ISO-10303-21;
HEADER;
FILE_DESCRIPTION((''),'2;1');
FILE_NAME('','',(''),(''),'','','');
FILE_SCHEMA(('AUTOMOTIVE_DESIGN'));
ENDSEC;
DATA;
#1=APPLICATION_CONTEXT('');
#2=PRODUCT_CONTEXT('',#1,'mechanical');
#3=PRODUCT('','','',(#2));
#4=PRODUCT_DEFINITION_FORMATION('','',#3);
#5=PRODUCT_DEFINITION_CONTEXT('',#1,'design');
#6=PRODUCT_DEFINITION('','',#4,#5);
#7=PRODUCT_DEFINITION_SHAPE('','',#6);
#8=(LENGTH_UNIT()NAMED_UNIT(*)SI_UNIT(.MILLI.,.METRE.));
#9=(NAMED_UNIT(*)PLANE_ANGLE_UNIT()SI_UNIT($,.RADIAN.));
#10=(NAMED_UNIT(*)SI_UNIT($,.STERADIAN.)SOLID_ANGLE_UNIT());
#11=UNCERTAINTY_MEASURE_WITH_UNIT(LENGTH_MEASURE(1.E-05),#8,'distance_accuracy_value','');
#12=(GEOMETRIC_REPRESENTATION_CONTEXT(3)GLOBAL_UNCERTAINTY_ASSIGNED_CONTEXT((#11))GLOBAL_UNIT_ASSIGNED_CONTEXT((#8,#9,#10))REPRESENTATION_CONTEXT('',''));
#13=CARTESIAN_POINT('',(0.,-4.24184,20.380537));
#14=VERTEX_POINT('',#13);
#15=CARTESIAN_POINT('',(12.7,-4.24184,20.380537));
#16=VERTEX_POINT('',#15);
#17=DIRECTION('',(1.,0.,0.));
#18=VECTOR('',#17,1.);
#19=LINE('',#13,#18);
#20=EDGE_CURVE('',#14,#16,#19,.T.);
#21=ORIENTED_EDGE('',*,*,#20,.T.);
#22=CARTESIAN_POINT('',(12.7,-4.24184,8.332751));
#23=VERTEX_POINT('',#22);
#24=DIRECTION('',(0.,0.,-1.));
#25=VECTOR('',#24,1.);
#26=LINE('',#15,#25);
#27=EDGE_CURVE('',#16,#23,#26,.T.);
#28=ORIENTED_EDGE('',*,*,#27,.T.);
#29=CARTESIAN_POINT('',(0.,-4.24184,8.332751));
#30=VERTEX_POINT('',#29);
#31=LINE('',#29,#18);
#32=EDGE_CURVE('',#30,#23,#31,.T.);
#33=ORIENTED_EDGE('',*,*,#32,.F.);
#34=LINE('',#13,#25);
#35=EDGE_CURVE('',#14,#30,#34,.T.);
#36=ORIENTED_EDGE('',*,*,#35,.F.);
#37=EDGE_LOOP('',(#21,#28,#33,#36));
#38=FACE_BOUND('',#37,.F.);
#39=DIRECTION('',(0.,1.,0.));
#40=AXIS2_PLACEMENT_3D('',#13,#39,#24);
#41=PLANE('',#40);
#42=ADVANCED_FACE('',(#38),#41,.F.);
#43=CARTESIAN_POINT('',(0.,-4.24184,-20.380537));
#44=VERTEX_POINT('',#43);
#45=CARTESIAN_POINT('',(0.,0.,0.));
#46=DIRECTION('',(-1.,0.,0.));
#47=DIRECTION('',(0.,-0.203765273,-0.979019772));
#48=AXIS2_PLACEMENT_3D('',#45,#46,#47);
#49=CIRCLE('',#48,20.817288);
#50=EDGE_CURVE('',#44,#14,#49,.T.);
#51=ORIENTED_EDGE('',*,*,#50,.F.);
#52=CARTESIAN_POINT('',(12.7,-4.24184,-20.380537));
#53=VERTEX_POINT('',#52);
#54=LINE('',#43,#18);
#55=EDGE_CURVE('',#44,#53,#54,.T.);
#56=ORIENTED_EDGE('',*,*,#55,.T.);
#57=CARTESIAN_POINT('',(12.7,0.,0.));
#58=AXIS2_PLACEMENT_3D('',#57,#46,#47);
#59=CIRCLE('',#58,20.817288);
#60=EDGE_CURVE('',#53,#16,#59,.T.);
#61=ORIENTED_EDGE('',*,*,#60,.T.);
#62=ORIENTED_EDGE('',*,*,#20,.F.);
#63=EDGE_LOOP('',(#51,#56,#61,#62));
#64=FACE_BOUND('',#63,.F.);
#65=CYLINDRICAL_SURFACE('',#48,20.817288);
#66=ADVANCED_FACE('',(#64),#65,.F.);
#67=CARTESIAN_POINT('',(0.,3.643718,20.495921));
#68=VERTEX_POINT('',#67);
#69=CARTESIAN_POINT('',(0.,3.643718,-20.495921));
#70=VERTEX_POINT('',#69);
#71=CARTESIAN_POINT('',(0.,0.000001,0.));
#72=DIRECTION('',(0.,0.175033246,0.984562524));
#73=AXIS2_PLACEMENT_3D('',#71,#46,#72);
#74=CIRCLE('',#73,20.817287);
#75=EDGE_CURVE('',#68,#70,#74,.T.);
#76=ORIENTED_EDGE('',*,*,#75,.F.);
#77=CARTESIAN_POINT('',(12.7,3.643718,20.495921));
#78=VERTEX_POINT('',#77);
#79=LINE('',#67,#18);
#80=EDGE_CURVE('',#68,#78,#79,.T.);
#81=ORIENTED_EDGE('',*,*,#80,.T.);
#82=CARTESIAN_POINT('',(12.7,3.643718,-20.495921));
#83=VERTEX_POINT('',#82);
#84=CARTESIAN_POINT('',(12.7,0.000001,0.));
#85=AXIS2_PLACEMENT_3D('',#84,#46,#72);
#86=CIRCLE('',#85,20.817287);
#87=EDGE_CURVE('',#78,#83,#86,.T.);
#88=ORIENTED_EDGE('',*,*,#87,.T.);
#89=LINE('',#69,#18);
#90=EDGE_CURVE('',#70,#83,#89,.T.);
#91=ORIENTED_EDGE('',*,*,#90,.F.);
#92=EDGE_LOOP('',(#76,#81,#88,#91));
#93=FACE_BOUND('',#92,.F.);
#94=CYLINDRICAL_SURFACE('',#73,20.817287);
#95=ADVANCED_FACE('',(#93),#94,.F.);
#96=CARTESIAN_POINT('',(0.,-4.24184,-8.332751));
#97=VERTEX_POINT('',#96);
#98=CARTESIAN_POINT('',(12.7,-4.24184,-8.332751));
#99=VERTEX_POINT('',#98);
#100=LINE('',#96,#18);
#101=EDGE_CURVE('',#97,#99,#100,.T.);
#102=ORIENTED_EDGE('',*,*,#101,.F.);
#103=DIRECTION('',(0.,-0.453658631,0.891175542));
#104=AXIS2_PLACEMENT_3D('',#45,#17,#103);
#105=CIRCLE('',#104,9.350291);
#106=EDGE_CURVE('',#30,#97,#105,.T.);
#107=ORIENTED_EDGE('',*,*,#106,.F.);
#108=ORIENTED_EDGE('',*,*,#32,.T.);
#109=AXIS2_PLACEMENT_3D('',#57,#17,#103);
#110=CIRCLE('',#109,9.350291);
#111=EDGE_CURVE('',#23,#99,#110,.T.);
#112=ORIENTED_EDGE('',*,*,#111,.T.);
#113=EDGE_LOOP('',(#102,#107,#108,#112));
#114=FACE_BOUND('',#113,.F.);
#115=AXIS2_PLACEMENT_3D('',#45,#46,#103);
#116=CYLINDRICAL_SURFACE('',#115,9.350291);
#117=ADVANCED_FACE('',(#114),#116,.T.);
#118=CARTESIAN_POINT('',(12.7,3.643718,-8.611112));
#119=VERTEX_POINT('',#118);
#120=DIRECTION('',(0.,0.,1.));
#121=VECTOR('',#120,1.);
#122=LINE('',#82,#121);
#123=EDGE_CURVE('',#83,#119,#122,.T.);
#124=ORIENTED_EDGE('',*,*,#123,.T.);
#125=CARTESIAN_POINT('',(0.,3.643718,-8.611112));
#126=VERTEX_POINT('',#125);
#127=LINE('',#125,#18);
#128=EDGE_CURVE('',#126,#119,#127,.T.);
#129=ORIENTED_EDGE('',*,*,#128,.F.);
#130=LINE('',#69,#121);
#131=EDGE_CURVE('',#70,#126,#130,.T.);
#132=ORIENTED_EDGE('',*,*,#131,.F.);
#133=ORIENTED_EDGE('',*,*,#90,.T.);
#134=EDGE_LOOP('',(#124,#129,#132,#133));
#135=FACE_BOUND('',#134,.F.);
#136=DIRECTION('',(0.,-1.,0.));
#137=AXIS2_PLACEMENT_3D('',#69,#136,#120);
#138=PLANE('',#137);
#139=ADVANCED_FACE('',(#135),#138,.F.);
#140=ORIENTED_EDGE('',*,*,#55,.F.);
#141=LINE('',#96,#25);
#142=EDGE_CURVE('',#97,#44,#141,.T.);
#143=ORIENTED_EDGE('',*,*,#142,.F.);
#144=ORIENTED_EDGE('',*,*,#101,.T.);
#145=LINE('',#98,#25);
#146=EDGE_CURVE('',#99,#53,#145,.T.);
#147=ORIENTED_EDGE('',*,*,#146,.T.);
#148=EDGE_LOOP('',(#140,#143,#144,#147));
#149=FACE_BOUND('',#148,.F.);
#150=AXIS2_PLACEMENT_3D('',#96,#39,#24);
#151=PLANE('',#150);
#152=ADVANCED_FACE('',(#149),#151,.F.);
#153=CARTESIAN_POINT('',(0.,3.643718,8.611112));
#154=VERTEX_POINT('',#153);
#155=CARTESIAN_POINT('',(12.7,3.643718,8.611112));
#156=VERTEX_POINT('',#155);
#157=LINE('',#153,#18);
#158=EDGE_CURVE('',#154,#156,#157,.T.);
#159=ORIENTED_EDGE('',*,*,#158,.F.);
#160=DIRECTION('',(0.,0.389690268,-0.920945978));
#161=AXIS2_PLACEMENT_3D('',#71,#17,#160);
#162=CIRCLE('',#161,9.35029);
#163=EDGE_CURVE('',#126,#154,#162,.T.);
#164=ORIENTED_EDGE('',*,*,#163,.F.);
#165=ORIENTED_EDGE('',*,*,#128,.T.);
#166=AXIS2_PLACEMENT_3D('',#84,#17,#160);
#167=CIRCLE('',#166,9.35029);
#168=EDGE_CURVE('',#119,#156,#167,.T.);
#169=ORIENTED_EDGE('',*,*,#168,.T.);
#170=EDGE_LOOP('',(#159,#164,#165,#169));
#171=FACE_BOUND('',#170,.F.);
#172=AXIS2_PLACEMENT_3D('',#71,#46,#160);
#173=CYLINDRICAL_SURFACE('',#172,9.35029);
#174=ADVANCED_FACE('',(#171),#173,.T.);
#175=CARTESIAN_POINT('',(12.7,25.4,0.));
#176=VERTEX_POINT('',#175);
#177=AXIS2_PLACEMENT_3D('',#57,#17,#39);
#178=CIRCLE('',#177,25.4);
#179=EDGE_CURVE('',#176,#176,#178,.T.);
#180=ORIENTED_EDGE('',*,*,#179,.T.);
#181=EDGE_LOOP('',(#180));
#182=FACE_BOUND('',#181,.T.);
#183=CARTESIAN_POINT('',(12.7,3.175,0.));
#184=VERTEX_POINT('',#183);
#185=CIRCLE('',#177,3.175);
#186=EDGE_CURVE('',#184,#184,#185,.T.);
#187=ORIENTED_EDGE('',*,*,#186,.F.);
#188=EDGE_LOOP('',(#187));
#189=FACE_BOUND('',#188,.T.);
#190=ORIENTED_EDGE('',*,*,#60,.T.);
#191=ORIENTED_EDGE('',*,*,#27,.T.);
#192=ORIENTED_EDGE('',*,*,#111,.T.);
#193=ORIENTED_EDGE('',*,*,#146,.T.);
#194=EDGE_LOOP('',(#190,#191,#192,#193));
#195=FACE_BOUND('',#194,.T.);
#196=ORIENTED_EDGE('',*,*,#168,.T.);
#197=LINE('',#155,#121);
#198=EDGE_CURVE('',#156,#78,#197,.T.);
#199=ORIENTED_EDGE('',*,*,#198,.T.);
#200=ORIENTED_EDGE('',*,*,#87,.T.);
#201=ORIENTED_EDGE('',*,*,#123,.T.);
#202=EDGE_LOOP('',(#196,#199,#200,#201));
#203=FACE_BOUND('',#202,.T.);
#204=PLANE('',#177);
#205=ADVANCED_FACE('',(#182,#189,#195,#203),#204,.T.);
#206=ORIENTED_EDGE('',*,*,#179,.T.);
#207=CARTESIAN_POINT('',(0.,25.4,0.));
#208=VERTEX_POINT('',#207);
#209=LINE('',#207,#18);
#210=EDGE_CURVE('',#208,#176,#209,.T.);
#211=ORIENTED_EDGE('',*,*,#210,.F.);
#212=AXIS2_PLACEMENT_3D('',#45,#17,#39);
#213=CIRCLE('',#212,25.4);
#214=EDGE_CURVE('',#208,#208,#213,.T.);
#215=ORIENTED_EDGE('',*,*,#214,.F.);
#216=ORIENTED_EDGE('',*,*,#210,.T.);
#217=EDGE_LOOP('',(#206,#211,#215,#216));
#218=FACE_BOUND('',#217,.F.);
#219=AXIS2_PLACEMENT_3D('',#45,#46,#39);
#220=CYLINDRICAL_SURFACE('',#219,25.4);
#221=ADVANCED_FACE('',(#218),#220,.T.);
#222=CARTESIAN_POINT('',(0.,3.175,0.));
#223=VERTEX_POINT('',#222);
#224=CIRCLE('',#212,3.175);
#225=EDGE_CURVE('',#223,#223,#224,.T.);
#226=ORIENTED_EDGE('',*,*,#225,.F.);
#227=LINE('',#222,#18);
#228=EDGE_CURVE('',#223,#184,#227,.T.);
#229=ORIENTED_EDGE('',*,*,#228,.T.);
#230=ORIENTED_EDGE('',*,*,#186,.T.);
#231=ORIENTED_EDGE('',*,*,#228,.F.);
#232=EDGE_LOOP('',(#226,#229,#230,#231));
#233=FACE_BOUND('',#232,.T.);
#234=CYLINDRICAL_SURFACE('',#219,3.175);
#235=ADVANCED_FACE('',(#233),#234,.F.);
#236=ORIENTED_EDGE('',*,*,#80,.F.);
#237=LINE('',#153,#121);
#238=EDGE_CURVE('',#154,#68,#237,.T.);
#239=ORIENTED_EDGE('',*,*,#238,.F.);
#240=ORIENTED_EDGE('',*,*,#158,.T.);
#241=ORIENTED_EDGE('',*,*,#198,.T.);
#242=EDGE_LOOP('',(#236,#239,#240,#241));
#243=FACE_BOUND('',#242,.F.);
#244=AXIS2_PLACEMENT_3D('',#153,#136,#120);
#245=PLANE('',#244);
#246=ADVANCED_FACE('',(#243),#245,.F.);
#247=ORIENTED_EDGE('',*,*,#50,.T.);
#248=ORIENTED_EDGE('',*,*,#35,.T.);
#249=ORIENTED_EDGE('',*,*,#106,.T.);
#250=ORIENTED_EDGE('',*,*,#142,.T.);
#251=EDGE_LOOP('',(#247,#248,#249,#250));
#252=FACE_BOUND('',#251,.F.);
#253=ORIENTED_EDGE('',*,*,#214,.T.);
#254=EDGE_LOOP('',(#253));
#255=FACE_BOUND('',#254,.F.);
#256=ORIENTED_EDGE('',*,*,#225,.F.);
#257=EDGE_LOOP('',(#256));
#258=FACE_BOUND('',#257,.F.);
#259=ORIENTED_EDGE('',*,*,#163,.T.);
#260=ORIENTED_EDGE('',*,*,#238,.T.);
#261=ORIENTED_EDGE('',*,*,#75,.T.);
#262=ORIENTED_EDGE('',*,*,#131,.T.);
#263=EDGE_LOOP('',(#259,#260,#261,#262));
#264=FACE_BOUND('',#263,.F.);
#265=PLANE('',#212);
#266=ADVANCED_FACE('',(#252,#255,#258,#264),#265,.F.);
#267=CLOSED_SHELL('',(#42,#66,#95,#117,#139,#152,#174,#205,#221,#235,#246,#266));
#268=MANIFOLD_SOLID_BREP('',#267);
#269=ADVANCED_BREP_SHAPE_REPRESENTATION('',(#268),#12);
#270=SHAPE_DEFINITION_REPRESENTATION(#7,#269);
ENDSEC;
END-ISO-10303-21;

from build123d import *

# Parameters (mm, degrees)
F0_R     = 25.4
F0_R_2   = 3.175
F1_DEPTH = 12.7


with BuildPart() as f1:
    # F0 (on Right) → F1 (new body)
    with BuildSketch(Plane.YZ):
        Circle(F0_R)
        with BuildLine():
            ThreePointArc((-4.24184, -20.380537), (-20.817288, 0), (-4.24184, 20.380537))
            Line((-4.24184, 20.380537), (-4.24184, 8.332751))
            ThreePointArc((-4.24184, 8.332751), (-9.350291, 0), (-4.24184, -8.332751))
            Line((-4.24184, -8.332751), (-4.24184, -20.380537))
        make_face(mode=Mode.SUBTRACT)
        Circle(F0_R_2, mode=Mode.SUBTRACT)
        with BuildLine():
            ThreePointArc((3.643718, -8.611112), (9.350291, 0), (3.643718, 8.611112))
            Line((3.643718, 8.611112), (3.643718, 20.495921))
            ThreePointArc((3.643718, 20.495921), (20.817288, 0), (3.643718, -20.495921))
            Line((3.643718, -20.495921), (3.643718, -8.611112))
        make_face(mode=Mode.SUBTRACT)
    extrude(amount=F1_DEPTH)


solid = f1.part
